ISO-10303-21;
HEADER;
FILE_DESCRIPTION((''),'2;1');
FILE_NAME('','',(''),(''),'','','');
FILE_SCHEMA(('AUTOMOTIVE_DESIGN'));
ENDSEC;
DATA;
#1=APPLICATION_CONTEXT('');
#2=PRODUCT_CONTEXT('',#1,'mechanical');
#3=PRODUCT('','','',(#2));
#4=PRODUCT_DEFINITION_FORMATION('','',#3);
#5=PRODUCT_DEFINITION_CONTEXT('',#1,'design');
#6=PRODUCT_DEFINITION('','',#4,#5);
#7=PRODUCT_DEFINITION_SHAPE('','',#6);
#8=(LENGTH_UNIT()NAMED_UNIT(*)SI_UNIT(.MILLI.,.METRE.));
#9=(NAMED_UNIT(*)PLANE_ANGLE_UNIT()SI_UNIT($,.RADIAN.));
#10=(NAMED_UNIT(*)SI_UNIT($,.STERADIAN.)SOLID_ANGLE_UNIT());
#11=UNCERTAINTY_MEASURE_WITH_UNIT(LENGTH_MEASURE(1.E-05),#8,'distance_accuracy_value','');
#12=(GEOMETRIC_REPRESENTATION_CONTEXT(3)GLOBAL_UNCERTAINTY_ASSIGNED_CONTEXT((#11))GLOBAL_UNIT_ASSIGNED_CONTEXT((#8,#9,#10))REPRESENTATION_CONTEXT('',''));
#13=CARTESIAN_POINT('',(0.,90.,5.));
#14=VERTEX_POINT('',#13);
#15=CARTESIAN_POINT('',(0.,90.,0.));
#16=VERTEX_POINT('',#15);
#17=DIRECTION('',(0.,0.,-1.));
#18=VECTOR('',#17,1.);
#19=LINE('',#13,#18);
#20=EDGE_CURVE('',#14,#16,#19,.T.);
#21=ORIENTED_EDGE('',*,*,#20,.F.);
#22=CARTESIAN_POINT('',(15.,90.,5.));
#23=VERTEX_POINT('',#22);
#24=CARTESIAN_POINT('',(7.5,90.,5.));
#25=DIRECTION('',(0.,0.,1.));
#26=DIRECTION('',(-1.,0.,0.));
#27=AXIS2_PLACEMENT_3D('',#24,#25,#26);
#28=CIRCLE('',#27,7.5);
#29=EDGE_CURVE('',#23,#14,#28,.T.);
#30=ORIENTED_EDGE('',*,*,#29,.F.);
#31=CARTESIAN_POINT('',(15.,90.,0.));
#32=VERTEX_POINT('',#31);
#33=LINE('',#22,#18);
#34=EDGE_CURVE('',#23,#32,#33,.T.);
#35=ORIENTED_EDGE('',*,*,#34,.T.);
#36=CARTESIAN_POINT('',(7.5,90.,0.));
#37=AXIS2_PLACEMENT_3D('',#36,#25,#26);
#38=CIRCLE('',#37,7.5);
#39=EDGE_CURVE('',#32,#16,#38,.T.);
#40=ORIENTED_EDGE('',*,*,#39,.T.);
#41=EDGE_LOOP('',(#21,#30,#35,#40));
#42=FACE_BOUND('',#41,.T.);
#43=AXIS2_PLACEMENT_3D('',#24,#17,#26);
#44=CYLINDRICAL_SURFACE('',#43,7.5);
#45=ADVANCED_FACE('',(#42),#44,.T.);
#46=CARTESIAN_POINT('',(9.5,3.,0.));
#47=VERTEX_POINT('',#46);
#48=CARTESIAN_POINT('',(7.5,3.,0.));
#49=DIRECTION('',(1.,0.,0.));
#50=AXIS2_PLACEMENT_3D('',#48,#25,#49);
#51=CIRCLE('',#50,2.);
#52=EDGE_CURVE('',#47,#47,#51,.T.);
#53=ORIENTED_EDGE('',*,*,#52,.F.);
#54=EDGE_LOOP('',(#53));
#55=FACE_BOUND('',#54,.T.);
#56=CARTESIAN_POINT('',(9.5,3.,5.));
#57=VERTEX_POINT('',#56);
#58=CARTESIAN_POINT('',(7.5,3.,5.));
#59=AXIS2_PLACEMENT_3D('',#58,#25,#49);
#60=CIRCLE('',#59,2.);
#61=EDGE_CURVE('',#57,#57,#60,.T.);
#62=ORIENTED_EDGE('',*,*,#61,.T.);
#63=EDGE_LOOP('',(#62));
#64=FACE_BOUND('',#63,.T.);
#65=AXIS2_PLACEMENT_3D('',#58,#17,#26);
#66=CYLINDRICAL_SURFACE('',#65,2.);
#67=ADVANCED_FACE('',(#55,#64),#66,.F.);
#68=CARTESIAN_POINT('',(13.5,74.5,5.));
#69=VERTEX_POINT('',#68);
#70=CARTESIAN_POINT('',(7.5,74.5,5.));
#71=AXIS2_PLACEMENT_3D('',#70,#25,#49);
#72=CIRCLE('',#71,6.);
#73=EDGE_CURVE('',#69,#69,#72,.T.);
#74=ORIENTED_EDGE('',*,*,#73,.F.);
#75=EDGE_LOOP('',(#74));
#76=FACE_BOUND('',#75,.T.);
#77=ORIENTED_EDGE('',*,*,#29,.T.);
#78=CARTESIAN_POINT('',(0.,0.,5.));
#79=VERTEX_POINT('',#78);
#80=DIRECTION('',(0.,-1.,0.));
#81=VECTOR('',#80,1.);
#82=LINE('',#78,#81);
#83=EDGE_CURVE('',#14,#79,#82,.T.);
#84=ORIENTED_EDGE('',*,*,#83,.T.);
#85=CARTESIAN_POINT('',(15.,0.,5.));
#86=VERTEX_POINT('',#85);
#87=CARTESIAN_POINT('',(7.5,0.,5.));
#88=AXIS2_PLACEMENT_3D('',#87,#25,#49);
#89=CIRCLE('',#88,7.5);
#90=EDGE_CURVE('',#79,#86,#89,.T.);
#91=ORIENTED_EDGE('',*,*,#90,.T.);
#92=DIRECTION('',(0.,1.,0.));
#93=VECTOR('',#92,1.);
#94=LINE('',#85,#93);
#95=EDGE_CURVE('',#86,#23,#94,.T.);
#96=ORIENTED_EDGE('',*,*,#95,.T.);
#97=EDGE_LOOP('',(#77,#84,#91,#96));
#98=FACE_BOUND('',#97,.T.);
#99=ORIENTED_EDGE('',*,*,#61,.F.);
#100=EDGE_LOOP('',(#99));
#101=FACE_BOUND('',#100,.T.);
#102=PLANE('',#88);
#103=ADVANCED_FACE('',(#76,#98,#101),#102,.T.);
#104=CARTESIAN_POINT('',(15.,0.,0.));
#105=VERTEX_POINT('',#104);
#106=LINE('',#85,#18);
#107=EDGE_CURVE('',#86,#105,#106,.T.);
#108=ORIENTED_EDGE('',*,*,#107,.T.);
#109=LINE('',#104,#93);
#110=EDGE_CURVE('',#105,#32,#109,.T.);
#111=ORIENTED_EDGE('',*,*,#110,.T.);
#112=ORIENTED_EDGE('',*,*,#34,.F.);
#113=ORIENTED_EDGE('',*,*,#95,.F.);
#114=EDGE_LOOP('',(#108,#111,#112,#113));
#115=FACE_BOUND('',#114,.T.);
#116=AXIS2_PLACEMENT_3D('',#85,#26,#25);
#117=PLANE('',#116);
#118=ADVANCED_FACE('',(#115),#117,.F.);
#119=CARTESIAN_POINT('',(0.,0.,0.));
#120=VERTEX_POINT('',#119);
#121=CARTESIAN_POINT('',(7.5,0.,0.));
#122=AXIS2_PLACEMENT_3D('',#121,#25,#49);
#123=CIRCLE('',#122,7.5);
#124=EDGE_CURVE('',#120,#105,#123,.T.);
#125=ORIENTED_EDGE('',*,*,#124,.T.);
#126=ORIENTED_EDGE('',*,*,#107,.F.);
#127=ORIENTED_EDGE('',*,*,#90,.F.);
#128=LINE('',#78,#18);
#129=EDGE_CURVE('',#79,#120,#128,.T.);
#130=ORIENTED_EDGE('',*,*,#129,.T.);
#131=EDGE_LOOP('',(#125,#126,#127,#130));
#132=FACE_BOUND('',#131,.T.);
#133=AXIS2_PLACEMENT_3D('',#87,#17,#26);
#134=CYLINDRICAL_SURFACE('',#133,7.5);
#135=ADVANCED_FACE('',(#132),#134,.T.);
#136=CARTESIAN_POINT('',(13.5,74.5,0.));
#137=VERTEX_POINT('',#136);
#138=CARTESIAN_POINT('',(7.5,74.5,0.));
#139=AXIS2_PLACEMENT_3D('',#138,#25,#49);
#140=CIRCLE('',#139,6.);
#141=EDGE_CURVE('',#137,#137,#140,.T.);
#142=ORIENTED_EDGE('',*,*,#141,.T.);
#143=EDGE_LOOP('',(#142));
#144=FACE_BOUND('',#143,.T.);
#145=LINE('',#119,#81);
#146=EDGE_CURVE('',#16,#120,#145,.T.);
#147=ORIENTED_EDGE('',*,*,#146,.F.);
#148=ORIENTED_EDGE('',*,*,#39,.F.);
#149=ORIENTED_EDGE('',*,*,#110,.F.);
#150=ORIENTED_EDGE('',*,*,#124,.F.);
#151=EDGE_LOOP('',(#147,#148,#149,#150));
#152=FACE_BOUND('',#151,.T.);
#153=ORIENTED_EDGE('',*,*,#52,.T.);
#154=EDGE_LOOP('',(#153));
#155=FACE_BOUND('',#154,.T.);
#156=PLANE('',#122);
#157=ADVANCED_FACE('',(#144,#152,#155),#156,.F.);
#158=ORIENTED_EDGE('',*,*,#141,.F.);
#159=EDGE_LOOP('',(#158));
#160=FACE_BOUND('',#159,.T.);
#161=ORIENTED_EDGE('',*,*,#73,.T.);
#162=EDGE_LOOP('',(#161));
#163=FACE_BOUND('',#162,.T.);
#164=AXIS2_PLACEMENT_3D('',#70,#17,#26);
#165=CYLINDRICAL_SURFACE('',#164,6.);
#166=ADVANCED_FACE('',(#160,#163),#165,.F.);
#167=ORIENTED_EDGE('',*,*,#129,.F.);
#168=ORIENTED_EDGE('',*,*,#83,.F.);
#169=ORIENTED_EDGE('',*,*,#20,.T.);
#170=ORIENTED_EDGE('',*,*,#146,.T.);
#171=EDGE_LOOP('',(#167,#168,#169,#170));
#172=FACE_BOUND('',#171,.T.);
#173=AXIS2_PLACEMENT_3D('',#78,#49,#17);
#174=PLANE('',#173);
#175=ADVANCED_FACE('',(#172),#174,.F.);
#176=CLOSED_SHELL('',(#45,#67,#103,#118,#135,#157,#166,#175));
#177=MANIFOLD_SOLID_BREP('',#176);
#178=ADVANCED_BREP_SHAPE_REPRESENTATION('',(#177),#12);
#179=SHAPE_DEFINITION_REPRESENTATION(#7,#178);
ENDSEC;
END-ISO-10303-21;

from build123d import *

# Parameters (mm, degrees)
ESBO_O1_R                = 2
ESBO_O1_R_2              = 6
RESSALTO_EXTRUS_O1_DEPTH = 5


with BuildPart() as part:
    # Esboço1 → Ressalto-extrusão1 (new body)
    with BuildSketch(Plane.XY):
        with BuildLine():
            Line((0, 0), (0, 90))
            ThreePointArc((0, 90), (7.5, 97.5), (15, 90))
            Line((15, 90), (15, 0))
            ThreePointArc((15, 0), (7.5, -7.5), (0, 0))
        make_face()
        with Locations((7.5, 3)):
            Circle(ESBO_O1_R, mode=Mode.SUBTRACT)
        with Locations((7.5, 74.5)):
            Circle(ESBO_O1_R_2, mode=Mode.SUBTRACT)
    extrude(amount=RESSALTO_EXTRUS_O1_DEPTH)


solid = part.part
